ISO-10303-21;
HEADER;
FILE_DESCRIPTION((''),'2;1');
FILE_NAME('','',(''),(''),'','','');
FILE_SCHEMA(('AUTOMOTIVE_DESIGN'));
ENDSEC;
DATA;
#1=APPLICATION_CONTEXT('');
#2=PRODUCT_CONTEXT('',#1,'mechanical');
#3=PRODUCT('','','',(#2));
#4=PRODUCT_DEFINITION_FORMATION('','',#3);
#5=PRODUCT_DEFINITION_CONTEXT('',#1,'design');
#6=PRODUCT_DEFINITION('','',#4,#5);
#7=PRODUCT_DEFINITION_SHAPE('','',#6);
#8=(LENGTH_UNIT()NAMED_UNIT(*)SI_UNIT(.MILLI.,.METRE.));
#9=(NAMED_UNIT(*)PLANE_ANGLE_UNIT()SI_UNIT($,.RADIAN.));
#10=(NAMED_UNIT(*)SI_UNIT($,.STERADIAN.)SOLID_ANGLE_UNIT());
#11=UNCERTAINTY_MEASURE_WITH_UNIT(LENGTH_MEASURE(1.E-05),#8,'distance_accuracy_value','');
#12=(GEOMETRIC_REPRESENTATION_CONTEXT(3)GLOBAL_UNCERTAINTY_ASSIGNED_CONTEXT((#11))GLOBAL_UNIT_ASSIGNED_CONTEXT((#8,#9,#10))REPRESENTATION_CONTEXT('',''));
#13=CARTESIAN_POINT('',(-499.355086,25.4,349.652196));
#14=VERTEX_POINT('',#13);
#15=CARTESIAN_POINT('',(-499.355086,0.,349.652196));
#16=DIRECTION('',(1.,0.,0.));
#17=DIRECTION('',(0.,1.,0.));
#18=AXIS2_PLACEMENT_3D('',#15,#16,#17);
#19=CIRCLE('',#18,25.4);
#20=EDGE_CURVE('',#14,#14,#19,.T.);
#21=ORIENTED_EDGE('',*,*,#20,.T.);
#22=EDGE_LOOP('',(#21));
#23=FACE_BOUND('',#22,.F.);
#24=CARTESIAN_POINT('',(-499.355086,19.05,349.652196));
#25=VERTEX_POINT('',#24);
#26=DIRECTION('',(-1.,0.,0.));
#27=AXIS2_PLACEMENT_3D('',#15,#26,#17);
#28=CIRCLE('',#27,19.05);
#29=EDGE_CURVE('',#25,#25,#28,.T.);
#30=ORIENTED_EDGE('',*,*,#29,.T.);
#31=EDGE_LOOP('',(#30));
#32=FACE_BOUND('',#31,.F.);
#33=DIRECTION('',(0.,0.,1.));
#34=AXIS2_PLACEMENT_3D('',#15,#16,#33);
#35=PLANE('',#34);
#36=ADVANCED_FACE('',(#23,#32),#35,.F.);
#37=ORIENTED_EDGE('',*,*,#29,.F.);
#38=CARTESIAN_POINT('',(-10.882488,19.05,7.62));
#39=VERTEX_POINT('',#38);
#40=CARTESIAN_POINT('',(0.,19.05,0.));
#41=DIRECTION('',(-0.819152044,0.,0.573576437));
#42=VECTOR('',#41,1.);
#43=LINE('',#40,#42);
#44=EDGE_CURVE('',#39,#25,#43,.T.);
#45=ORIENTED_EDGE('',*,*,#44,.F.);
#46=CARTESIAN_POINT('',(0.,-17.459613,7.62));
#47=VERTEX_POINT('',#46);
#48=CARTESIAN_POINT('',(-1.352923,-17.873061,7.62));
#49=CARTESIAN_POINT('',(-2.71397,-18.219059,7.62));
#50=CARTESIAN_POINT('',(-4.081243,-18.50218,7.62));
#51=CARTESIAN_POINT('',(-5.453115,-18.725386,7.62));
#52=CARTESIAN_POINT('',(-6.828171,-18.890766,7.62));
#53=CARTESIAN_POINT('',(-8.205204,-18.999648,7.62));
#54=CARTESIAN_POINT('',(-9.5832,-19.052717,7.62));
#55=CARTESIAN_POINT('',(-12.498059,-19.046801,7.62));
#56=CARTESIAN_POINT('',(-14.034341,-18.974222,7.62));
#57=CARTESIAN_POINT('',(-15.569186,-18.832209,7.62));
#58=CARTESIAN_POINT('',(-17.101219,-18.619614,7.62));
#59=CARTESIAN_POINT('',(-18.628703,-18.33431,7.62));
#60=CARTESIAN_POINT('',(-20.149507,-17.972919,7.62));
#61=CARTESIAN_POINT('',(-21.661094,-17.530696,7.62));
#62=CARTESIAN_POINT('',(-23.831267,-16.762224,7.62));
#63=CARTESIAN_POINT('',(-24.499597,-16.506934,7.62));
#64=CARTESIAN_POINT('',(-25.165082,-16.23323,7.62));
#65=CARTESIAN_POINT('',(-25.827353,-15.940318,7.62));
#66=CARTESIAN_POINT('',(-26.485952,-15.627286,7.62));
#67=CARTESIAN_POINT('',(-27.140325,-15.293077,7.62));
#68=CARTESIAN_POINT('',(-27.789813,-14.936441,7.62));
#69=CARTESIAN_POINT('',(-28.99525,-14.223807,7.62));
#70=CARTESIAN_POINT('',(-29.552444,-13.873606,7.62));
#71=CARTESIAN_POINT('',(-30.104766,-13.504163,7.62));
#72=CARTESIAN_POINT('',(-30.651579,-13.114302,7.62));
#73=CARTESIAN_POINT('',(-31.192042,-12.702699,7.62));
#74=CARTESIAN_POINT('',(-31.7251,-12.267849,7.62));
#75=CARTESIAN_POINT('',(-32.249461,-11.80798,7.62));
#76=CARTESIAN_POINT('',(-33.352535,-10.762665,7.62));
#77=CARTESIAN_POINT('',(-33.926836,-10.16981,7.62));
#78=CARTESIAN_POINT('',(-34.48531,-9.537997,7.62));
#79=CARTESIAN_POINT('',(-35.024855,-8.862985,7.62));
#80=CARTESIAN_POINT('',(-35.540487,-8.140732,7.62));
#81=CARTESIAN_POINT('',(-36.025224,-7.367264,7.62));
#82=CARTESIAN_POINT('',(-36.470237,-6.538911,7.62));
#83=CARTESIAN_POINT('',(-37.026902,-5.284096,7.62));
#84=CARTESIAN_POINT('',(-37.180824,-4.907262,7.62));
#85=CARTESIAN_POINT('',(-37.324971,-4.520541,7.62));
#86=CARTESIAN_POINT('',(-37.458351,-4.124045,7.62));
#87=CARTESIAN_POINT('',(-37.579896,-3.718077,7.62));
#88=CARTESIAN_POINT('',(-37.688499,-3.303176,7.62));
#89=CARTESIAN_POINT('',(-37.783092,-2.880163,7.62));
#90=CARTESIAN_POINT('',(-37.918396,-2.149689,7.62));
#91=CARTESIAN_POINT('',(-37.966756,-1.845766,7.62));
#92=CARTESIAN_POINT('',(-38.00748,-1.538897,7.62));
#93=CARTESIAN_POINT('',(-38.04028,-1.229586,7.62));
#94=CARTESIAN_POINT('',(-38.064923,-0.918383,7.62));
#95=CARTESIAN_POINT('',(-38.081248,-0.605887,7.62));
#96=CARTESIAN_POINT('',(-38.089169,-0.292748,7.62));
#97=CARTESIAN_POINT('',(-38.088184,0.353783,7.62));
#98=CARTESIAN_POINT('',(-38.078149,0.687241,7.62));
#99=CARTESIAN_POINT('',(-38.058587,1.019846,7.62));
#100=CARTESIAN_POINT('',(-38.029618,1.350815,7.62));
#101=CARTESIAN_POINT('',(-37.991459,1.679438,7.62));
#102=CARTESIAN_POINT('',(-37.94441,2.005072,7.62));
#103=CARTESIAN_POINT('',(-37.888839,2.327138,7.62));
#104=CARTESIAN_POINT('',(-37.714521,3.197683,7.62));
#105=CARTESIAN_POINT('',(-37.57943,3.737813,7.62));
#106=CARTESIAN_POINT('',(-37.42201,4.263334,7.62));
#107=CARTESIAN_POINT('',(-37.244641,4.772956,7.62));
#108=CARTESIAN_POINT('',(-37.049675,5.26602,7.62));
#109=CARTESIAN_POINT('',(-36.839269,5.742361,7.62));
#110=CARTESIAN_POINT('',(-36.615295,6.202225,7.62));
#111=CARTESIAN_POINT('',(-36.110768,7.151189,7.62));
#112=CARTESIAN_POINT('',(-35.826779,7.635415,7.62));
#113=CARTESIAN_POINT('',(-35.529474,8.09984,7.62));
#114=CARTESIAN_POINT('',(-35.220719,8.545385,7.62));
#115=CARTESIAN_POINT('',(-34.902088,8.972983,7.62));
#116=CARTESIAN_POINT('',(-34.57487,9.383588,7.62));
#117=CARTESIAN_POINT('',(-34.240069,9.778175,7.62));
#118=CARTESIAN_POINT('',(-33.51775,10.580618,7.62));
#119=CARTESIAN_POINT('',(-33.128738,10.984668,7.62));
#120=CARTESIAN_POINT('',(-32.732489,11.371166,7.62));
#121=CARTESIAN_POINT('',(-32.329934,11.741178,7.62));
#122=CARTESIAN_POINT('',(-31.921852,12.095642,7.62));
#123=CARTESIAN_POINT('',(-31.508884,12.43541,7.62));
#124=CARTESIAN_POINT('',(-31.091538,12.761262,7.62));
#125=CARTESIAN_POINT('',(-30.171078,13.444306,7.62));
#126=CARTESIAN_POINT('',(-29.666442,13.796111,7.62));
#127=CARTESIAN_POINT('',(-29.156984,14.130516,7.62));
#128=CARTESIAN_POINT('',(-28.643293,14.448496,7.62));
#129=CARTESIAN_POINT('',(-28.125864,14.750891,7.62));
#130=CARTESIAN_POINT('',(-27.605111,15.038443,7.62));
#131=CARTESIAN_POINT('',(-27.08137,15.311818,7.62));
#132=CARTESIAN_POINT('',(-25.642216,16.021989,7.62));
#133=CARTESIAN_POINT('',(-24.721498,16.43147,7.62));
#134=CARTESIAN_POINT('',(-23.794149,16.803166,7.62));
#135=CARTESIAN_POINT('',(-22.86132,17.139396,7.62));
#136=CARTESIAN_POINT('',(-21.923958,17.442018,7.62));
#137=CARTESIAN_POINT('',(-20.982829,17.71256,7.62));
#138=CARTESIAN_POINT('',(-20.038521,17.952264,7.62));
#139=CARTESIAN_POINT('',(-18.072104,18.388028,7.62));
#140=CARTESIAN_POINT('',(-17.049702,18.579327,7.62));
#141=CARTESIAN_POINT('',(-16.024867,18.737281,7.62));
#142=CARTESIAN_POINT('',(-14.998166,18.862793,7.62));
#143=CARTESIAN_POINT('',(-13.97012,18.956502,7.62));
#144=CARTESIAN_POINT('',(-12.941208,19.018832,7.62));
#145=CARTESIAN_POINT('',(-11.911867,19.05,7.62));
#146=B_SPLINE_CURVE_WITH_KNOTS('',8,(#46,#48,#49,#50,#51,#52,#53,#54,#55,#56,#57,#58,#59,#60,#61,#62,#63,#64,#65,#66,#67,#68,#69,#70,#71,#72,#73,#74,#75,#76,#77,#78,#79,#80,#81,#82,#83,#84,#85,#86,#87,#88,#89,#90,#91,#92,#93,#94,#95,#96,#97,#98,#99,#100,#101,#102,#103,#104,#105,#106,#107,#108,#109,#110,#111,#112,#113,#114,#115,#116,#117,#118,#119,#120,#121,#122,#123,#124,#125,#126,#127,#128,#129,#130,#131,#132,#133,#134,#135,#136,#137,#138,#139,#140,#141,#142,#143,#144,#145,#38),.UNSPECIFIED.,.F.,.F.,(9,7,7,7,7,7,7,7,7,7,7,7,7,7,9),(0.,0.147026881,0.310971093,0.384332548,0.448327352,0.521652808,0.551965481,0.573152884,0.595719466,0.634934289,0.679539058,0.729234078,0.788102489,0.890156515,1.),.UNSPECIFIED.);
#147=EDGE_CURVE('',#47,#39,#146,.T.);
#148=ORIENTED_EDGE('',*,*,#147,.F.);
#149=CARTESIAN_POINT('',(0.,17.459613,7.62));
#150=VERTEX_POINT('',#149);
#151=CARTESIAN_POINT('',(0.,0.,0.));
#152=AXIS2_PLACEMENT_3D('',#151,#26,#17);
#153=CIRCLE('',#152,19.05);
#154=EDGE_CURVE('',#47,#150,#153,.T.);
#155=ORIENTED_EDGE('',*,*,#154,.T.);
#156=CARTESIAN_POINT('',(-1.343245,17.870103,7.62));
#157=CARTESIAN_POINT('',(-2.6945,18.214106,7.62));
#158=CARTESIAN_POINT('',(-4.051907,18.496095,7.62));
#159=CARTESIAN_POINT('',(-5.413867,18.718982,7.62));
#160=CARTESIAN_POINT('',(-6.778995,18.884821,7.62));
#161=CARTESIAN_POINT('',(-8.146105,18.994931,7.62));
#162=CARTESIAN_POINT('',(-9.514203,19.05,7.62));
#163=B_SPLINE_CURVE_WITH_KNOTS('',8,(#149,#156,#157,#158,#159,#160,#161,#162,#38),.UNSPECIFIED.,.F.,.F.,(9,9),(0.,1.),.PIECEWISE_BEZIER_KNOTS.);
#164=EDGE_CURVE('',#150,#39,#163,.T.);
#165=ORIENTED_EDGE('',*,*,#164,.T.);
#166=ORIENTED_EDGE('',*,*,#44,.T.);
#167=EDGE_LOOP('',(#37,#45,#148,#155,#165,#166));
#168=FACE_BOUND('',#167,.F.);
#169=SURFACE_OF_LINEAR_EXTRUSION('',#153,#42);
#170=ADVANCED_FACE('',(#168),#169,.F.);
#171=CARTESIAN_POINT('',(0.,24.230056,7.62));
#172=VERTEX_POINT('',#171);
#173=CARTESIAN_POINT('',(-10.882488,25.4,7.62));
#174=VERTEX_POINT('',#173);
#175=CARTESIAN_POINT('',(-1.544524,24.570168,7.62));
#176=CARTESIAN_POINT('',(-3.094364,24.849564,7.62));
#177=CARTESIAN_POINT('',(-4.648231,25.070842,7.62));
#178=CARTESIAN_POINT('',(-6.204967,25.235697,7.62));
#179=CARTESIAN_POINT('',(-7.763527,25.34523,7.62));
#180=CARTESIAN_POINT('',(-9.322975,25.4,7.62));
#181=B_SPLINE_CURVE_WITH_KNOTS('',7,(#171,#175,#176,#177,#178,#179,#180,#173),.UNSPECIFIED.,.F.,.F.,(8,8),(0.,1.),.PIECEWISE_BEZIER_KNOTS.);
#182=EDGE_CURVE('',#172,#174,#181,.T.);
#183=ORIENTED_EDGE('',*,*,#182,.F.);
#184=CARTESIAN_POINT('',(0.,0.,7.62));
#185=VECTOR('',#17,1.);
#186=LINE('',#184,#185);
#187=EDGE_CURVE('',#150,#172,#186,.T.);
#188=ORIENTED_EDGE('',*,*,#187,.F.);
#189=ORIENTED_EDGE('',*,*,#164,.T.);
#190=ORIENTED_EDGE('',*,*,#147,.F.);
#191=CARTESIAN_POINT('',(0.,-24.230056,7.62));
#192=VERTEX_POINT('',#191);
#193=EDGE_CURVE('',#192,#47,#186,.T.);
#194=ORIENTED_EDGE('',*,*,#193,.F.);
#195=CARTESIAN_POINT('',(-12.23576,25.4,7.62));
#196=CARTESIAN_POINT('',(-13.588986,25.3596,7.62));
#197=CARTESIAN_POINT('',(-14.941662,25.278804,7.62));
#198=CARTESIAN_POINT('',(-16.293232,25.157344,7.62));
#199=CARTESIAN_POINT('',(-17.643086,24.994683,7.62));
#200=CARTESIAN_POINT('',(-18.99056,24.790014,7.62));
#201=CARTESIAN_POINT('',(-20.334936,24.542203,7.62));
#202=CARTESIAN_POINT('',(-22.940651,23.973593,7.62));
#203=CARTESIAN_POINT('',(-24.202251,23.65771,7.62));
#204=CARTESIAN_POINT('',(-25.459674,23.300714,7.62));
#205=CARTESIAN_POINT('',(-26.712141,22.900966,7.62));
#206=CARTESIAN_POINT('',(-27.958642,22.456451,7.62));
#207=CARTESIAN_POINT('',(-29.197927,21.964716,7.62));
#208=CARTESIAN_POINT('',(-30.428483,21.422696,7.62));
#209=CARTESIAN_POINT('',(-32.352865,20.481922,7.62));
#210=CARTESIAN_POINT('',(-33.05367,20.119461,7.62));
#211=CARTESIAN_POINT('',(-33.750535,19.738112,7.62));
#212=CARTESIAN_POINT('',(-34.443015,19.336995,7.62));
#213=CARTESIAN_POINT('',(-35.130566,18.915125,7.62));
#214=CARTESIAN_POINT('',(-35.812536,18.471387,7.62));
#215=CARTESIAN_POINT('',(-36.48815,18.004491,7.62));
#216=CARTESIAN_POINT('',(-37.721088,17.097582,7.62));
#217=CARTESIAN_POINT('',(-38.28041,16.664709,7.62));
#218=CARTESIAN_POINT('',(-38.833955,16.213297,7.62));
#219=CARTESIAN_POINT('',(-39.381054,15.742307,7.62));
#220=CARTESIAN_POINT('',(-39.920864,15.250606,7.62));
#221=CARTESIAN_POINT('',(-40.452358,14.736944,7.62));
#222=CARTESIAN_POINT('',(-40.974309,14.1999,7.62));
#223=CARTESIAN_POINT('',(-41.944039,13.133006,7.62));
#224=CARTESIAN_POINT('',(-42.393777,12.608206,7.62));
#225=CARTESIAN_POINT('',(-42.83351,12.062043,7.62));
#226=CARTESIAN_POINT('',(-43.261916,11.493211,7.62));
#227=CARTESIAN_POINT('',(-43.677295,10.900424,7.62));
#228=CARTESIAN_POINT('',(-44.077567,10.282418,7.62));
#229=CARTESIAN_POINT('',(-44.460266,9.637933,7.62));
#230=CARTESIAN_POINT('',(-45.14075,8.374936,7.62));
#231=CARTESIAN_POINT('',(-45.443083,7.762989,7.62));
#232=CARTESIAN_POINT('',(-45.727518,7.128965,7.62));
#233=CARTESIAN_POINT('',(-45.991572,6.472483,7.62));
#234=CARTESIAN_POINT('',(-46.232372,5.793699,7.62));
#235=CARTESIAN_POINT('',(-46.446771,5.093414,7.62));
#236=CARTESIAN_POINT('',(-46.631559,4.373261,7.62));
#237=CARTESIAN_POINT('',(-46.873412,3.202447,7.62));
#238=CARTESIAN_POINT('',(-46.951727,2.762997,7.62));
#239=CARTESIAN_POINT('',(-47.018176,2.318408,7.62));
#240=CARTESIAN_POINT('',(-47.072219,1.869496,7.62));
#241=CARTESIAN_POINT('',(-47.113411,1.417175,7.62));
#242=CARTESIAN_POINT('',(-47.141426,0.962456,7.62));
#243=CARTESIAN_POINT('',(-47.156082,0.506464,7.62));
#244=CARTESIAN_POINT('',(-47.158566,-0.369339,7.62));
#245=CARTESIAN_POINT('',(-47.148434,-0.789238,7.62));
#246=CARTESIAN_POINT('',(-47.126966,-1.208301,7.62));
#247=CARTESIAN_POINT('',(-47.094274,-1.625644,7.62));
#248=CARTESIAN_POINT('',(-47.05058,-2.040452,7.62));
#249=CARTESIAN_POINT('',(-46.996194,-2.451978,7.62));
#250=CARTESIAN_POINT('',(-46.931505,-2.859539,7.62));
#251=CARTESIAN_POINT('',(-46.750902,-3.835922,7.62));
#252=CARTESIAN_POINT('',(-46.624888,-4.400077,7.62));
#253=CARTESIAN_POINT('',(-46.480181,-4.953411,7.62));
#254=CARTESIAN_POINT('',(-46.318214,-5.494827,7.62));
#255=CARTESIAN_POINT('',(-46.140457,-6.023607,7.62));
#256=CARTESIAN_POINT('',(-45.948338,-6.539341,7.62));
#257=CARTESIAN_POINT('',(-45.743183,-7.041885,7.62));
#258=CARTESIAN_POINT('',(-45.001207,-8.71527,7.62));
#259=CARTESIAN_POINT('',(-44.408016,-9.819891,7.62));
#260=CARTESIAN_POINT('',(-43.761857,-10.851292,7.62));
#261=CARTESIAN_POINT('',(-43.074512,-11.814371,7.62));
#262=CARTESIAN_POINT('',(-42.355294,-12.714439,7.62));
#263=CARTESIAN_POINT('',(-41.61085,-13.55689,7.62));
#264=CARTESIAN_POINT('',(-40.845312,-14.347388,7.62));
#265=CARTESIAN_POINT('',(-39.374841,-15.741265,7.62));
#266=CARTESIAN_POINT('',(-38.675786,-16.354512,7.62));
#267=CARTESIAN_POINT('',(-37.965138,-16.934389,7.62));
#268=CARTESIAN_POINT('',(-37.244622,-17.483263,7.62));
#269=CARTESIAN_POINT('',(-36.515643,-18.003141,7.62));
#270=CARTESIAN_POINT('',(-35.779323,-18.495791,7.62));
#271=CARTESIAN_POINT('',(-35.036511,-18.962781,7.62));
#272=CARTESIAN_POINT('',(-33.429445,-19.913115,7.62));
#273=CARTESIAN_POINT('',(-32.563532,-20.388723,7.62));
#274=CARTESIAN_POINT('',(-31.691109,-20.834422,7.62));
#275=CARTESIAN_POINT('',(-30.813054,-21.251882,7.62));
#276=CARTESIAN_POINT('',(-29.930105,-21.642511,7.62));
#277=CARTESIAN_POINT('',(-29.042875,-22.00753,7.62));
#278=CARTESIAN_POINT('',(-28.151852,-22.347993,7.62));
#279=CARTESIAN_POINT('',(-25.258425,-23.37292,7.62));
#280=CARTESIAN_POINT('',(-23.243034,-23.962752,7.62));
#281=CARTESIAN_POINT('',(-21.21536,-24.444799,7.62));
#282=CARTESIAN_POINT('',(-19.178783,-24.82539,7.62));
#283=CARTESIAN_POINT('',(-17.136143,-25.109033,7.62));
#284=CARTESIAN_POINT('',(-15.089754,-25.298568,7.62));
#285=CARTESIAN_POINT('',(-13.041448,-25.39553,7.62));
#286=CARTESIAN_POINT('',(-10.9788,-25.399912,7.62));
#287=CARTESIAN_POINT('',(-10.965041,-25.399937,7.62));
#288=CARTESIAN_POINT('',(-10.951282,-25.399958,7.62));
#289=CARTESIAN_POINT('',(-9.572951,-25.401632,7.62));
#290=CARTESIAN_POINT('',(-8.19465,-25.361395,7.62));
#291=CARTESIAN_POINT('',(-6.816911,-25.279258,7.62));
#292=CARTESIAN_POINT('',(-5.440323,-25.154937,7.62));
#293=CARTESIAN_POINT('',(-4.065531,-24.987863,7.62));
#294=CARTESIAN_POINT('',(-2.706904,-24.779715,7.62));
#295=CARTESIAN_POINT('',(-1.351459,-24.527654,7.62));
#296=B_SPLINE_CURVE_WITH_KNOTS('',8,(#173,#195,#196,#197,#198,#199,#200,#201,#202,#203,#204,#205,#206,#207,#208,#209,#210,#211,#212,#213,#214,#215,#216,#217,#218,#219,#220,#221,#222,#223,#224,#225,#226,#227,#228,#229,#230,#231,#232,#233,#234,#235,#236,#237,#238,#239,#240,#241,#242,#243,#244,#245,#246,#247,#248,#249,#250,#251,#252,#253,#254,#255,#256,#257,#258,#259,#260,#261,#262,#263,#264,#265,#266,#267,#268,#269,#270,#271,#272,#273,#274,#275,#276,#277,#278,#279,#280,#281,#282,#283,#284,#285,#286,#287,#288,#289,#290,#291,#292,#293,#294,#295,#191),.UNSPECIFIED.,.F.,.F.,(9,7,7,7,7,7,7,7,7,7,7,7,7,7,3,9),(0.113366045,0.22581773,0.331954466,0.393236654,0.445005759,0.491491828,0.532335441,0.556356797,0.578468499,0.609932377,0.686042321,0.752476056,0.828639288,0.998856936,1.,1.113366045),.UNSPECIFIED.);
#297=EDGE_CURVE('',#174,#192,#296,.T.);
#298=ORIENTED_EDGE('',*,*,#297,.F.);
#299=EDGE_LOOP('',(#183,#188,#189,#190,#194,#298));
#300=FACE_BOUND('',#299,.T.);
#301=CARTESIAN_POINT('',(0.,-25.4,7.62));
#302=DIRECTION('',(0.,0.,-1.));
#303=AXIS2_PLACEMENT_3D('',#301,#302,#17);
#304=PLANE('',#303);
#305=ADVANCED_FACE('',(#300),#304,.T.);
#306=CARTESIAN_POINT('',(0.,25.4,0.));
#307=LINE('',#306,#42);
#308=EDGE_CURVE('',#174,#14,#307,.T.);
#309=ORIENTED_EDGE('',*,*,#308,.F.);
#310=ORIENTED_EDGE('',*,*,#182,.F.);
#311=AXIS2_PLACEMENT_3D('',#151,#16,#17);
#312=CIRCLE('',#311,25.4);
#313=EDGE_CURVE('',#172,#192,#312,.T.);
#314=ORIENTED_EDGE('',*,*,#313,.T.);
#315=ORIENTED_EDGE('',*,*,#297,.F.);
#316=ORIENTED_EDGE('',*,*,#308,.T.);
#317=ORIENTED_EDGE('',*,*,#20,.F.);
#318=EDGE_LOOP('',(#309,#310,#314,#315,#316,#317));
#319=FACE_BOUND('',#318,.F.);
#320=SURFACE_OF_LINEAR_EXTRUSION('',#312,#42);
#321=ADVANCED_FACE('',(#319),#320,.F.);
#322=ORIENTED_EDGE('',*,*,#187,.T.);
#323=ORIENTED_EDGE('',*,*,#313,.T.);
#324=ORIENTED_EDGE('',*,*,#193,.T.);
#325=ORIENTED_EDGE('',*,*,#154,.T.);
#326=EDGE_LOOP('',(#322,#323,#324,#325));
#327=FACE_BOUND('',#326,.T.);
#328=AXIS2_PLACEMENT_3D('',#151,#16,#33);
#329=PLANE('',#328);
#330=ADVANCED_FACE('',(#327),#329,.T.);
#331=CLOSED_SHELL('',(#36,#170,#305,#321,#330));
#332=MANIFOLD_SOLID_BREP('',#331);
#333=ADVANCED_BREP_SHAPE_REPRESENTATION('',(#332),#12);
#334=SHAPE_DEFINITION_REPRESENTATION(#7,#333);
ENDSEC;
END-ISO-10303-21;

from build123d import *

# Parameters (mm, degrees)
F0_R     = 25.4
F0_R_2   = 19.05
F3_W     = 50.8
F3_H     = 33.02
F4_DEPTH = 499.356086


with BuildPart() as f2:
    # F2: sweep along a path in F1
    with BuildLine(Plane.XZ) as f2_path:
        Line((0, 0), (-499.355086, 349.652196))
    # F0 (on Right) → F2 (sweep)
    with BuildSketch(Plane.YZ):
        Circle(F0_R)
        Circle(F0_R_2, mode=Mode.SUBTRACT)
    sweep(path=f2_path.line)

    # F3 (on face) → F4 (cut, through all)
    with BuildSketch(Plane.YZ):
        with Locations((0, -8.89)):
            Rectangle(F3_W, F3_H)
    extrude(amount=-F4_DEPTH, mode=Mode.SUBTRACT)


solid = f2.part
